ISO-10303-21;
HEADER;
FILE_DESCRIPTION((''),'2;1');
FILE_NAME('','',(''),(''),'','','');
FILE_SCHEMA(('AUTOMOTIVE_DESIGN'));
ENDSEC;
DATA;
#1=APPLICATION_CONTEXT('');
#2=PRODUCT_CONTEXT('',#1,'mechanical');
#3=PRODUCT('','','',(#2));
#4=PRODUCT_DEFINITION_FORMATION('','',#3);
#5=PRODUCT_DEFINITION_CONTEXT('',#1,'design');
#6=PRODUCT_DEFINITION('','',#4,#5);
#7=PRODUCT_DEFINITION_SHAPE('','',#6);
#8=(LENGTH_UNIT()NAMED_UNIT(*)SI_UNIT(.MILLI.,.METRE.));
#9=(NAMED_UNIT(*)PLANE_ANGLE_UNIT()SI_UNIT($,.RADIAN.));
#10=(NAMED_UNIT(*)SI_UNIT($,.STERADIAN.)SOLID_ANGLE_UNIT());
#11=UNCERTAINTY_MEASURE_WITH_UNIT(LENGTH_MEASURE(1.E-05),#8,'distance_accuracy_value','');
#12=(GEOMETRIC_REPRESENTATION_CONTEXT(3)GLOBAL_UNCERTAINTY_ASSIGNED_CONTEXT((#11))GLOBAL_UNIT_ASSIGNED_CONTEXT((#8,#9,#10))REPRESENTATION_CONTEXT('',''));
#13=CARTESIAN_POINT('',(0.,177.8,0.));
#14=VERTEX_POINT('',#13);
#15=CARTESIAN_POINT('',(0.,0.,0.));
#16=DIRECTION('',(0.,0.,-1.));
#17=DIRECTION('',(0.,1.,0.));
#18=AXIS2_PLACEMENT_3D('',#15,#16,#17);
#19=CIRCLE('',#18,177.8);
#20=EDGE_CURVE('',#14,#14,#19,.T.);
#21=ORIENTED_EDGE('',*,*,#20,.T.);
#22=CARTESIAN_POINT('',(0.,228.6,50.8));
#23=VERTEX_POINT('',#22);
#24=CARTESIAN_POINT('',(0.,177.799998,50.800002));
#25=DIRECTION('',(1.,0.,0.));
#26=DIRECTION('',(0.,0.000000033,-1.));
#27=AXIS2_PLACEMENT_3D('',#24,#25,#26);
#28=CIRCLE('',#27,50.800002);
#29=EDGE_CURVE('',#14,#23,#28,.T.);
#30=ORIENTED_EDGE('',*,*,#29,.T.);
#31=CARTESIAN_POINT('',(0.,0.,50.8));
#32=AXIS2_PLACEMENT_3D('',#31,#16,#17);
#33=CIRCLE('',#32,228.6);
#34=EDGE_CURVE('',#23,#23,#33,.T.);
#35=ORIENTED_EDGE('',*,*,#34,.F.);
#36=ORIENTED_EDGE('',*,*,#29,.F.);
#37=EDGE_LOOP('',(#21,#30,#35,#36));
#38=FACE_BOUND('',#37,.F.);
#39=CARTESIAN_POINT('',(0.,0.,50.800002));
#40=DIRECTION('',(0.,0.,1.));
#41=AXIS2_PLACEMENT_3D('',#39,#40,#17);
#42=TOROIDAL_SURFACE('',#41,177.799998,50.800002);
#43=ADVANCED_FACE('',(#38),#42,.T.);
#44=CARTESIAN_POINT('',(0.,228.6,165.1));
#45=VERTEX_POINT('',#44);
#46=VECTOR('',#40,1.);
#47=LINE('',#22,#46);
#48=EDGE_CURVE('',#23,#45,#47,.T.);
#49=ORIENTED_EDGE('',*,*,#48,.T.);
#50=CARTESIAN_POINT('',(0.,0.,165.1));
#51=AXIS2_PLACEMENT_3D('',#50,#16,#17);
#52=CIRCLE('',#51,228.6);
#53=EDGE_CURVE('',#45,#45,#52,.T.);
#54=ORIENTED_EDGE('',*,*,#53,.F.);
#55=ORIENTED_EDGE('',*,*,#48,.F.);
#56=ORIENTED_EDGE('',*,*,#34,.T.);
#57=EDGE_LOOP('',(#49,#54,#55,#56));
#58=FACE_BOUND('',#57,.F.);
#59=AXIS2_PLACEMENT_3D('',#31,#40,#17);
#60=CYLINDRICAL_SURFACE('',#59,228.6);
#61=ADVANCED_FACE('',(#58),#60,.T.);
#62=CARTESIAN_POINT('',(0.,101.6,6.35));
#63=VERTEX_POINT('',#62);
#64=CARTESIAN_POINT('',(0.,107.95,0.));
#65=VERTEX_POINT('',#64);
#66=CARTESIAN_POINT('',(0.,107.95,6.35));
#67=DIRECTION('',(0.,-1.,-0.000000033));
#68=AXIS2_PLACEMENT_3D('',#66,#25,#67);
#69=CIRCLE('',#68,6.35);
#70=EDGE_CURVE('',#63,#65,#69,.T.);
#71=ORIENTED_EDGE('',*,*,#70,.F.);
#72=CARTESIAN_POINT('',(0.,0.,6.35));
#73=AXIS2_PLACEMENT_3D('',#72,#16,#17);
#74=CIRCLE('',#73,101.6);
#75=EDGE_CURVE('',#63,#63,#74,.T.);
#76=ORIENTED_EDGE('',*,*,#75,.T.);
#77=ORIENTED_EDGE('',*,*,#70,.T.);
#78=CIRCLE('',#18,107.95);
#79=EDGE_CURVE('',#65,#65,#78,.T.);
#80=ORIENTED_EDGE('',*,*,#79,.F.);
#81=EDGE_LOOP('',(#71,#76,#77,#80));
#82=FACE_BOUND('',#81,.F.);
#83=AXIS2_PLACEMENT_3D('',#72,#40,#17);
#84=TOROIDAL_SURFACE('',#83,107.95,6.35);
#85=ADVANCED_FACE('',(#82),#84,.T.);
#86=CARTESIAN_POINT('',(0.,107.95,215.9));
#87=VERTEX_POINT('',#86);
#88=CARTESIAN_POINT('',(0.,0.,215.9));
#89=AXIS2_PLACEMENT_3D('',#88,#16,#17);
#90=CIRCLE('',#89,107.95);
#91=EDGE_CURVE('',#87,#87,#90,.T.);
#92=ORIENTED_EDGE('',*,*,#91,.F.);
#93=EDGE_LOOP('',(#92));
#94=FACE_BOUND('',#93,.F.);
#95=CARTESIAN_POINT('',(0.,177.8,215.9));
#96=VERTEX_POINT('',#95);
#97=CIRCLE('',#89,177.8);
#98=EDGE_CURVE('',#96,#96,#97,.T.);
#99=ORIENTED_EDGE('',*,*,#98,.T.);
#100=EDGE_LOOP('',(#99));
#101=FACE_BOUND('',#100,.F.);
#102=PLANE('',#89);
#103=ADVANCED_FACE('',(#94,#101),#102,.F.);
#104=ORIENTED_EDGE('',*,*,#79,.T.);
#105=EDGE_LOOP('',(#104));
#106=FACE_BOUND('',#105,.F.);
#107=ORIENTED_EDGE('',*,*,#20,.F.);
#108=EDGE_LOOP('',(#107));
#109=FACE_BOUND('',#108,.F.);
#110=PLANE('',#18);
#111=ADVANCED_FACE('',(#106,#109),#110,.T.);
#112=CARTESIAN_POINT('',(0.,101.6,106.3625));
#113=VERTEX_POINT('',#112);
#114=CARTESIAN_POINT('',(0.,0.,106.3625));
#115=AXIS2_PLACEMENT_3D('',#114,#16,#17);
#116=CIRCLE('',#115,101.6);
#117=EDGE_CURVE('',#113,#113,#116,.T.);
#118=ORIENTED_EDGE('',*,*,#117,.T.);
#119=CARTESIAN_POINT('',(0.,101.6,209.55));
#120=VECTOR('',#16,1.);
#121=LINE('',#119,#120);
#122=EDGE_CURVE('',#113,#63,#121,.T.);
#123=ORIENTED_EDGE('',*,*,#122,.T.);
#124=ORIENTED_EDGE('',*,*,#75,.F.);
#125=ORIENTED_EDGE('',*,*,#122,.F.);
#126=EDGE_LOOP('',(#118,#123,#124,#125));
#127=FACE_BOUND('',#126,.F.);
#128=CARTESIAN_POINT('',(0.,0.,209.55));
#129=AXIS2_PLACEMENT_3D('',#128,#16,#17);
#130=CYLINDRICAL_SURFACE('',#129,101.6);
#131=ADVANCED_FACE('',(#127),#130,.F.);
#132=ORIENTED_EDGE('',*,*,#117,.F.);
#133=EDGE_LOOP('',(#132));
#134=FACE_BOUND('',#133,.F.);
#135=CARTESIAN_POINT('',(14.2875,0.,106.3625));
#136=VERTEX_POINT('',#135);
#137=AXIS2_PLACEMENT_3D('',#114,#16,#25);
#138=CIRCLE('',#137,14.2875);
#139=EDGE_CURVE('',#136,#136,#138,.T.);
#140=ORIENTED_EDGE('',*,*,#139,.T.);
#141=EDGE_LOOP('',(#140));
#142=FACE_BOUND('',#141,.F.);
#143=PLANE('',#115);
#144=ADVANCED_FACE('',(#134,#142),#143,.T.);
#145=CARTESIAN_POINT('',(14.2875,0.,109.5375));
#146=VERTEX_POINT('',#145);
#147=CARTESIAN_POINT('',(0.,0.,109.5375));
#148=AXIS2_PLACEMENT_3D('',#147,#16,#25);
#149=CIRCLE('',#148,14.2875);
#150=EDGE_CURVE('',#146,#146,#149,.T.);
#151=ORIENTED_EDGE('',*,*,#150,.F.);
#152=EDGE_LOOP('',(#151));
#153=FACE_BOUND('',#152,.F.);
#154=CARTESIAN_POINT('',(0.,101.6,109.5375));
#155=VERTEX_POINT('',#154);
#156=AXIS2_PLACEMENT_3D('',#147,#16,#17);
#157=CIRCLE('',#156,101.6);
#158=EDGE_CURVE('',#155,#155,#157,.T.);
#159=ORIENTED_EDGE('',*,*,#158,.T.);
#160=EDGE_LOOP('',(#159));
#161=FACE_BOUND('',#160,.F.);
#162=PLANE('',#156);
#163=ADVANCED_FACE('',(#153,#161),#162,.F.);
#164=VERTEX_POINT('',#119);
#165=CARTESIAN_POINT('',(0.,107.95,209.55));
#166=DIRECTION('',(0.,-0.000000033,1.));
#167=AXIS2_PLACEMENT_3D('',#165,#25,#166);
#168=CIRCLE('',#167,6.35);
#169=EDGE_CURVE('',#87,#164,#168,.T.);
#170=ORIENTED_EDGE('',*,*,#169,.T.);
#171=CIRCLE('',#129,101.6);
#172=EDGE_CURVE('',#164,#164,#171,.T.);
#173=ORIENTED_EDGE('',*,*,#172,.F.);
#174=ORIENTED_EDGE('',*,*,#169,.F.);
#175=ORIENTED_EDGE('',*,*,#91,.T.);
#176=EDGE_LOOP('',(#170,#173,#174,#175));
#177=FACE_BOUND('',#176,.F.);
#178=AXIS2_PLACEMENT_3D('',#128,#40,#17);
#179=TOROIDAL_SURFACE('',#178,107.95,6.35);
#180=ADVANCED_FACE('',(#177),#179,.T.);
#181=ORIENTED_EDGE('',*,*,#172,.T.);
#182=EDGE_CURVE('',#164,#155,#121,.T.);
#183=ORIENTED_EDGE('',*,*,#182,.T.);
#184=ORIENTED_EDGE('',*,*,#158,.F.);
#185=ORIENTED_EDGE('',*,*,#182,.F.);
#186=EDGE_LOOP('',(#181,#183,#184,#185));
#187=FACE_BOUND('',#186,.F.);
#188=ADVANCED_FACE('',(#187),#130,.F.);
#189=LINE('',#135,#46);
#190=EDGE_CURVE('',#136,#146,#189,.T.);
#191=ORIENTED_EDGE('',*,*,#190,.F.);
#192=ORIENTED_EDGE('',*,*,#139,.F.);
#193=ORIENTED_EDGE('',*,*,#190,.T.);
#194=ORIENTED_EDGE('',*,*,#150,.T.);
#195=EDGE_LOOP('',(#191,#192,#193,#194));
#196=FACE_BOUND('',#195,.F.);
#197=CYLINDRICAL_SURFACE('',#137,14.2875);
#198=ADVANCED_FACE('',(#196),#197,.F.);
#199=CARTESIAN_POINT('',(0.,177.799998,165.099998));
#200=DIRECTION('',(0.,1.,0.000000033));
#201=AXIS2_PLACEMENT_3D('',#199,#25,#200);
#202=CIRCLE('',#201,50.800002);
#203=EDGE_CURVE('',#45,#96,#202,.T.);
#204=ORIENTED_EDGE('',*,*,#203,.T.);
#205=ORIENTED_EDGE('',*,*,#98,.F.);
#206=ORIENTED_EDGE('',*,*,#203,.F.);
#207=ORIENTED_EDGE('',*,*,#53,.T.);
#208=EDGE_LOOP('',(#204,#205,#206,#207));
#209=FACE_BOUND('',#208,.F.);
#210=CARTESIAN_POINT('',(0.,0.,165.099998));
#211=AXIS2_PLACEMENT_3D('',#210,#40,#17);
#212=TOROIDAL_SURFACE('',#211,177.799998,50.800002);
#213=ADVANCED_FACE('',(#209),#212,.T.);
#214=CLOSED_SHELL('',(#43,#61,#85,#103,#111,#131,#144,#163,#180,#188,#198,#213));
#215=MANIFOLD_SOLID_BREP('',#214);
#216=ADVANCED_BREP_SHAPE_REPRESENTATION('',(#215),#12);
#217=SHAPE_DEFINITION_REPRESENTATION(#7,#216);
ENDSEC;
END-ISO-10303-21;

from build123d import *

# Parameters (mm, degrees)
F2_R     = 14.2875
F3_DEPTH = 25.4


with BuildPart() as f1:
    # F0 (on Right) → F1 (revolve)
    with BuildSketch(Plane.YZ):
        with BuildLine():
            Line((101.6, 107.95), (101.6, 106.3625))
            Line((101.6, 106.3625), (101.6, 6.35))
            ThreePointArc((101.6, 6.35), (103.459872, 1.859872), (107.95, 0))
            Line((107.95, 0), (177.8, 0))
            ThreePointArc((177.8, 0), (213.721024, 14.878976), (228.6, 50.8))
            Line((228.6, 50.8), (228.6, 165.1))
            ThreePointArc((228.6, 165.1), (213.721024, 201.021024), (177.8, 215.9))
            Line((177.8, 215.9), (107.95, 215.9))
            ThreePointArc((107.95, 215.9), (103.459872, 214.040128), (101.6, 209.55))
            Line((101.6, 209.55), (101.6, 109.5375))
            Line((101.6, 109.5375), (101.6, 107.95))
        make_face()
        Polygon((0, 107.95), (0, 106.3625), (101.6, 106.3625), (101.6, 107.95), (50.8, 107.95), align=None)
        Polygon((0, 109.5375), (0, 107.95), (50.8, 107.95), (101.6, 107.95), (101.6, 109.5375), align=None)
    revolve(axis=Axis((0, 0, 107.95), (0, 0, -1)))

    # F2 (on face) → F3 (cut)
    with BuildSketch(Plane(origin=(0, 0, 106.3625), x_dir=(1, 0, 0), z_dir=(0, 0, -1))):
        Circle(F2_R)
    extrude(amount=-F3_DEPTH, mode=Mode.SUBTRACT)


solid = f1.part
